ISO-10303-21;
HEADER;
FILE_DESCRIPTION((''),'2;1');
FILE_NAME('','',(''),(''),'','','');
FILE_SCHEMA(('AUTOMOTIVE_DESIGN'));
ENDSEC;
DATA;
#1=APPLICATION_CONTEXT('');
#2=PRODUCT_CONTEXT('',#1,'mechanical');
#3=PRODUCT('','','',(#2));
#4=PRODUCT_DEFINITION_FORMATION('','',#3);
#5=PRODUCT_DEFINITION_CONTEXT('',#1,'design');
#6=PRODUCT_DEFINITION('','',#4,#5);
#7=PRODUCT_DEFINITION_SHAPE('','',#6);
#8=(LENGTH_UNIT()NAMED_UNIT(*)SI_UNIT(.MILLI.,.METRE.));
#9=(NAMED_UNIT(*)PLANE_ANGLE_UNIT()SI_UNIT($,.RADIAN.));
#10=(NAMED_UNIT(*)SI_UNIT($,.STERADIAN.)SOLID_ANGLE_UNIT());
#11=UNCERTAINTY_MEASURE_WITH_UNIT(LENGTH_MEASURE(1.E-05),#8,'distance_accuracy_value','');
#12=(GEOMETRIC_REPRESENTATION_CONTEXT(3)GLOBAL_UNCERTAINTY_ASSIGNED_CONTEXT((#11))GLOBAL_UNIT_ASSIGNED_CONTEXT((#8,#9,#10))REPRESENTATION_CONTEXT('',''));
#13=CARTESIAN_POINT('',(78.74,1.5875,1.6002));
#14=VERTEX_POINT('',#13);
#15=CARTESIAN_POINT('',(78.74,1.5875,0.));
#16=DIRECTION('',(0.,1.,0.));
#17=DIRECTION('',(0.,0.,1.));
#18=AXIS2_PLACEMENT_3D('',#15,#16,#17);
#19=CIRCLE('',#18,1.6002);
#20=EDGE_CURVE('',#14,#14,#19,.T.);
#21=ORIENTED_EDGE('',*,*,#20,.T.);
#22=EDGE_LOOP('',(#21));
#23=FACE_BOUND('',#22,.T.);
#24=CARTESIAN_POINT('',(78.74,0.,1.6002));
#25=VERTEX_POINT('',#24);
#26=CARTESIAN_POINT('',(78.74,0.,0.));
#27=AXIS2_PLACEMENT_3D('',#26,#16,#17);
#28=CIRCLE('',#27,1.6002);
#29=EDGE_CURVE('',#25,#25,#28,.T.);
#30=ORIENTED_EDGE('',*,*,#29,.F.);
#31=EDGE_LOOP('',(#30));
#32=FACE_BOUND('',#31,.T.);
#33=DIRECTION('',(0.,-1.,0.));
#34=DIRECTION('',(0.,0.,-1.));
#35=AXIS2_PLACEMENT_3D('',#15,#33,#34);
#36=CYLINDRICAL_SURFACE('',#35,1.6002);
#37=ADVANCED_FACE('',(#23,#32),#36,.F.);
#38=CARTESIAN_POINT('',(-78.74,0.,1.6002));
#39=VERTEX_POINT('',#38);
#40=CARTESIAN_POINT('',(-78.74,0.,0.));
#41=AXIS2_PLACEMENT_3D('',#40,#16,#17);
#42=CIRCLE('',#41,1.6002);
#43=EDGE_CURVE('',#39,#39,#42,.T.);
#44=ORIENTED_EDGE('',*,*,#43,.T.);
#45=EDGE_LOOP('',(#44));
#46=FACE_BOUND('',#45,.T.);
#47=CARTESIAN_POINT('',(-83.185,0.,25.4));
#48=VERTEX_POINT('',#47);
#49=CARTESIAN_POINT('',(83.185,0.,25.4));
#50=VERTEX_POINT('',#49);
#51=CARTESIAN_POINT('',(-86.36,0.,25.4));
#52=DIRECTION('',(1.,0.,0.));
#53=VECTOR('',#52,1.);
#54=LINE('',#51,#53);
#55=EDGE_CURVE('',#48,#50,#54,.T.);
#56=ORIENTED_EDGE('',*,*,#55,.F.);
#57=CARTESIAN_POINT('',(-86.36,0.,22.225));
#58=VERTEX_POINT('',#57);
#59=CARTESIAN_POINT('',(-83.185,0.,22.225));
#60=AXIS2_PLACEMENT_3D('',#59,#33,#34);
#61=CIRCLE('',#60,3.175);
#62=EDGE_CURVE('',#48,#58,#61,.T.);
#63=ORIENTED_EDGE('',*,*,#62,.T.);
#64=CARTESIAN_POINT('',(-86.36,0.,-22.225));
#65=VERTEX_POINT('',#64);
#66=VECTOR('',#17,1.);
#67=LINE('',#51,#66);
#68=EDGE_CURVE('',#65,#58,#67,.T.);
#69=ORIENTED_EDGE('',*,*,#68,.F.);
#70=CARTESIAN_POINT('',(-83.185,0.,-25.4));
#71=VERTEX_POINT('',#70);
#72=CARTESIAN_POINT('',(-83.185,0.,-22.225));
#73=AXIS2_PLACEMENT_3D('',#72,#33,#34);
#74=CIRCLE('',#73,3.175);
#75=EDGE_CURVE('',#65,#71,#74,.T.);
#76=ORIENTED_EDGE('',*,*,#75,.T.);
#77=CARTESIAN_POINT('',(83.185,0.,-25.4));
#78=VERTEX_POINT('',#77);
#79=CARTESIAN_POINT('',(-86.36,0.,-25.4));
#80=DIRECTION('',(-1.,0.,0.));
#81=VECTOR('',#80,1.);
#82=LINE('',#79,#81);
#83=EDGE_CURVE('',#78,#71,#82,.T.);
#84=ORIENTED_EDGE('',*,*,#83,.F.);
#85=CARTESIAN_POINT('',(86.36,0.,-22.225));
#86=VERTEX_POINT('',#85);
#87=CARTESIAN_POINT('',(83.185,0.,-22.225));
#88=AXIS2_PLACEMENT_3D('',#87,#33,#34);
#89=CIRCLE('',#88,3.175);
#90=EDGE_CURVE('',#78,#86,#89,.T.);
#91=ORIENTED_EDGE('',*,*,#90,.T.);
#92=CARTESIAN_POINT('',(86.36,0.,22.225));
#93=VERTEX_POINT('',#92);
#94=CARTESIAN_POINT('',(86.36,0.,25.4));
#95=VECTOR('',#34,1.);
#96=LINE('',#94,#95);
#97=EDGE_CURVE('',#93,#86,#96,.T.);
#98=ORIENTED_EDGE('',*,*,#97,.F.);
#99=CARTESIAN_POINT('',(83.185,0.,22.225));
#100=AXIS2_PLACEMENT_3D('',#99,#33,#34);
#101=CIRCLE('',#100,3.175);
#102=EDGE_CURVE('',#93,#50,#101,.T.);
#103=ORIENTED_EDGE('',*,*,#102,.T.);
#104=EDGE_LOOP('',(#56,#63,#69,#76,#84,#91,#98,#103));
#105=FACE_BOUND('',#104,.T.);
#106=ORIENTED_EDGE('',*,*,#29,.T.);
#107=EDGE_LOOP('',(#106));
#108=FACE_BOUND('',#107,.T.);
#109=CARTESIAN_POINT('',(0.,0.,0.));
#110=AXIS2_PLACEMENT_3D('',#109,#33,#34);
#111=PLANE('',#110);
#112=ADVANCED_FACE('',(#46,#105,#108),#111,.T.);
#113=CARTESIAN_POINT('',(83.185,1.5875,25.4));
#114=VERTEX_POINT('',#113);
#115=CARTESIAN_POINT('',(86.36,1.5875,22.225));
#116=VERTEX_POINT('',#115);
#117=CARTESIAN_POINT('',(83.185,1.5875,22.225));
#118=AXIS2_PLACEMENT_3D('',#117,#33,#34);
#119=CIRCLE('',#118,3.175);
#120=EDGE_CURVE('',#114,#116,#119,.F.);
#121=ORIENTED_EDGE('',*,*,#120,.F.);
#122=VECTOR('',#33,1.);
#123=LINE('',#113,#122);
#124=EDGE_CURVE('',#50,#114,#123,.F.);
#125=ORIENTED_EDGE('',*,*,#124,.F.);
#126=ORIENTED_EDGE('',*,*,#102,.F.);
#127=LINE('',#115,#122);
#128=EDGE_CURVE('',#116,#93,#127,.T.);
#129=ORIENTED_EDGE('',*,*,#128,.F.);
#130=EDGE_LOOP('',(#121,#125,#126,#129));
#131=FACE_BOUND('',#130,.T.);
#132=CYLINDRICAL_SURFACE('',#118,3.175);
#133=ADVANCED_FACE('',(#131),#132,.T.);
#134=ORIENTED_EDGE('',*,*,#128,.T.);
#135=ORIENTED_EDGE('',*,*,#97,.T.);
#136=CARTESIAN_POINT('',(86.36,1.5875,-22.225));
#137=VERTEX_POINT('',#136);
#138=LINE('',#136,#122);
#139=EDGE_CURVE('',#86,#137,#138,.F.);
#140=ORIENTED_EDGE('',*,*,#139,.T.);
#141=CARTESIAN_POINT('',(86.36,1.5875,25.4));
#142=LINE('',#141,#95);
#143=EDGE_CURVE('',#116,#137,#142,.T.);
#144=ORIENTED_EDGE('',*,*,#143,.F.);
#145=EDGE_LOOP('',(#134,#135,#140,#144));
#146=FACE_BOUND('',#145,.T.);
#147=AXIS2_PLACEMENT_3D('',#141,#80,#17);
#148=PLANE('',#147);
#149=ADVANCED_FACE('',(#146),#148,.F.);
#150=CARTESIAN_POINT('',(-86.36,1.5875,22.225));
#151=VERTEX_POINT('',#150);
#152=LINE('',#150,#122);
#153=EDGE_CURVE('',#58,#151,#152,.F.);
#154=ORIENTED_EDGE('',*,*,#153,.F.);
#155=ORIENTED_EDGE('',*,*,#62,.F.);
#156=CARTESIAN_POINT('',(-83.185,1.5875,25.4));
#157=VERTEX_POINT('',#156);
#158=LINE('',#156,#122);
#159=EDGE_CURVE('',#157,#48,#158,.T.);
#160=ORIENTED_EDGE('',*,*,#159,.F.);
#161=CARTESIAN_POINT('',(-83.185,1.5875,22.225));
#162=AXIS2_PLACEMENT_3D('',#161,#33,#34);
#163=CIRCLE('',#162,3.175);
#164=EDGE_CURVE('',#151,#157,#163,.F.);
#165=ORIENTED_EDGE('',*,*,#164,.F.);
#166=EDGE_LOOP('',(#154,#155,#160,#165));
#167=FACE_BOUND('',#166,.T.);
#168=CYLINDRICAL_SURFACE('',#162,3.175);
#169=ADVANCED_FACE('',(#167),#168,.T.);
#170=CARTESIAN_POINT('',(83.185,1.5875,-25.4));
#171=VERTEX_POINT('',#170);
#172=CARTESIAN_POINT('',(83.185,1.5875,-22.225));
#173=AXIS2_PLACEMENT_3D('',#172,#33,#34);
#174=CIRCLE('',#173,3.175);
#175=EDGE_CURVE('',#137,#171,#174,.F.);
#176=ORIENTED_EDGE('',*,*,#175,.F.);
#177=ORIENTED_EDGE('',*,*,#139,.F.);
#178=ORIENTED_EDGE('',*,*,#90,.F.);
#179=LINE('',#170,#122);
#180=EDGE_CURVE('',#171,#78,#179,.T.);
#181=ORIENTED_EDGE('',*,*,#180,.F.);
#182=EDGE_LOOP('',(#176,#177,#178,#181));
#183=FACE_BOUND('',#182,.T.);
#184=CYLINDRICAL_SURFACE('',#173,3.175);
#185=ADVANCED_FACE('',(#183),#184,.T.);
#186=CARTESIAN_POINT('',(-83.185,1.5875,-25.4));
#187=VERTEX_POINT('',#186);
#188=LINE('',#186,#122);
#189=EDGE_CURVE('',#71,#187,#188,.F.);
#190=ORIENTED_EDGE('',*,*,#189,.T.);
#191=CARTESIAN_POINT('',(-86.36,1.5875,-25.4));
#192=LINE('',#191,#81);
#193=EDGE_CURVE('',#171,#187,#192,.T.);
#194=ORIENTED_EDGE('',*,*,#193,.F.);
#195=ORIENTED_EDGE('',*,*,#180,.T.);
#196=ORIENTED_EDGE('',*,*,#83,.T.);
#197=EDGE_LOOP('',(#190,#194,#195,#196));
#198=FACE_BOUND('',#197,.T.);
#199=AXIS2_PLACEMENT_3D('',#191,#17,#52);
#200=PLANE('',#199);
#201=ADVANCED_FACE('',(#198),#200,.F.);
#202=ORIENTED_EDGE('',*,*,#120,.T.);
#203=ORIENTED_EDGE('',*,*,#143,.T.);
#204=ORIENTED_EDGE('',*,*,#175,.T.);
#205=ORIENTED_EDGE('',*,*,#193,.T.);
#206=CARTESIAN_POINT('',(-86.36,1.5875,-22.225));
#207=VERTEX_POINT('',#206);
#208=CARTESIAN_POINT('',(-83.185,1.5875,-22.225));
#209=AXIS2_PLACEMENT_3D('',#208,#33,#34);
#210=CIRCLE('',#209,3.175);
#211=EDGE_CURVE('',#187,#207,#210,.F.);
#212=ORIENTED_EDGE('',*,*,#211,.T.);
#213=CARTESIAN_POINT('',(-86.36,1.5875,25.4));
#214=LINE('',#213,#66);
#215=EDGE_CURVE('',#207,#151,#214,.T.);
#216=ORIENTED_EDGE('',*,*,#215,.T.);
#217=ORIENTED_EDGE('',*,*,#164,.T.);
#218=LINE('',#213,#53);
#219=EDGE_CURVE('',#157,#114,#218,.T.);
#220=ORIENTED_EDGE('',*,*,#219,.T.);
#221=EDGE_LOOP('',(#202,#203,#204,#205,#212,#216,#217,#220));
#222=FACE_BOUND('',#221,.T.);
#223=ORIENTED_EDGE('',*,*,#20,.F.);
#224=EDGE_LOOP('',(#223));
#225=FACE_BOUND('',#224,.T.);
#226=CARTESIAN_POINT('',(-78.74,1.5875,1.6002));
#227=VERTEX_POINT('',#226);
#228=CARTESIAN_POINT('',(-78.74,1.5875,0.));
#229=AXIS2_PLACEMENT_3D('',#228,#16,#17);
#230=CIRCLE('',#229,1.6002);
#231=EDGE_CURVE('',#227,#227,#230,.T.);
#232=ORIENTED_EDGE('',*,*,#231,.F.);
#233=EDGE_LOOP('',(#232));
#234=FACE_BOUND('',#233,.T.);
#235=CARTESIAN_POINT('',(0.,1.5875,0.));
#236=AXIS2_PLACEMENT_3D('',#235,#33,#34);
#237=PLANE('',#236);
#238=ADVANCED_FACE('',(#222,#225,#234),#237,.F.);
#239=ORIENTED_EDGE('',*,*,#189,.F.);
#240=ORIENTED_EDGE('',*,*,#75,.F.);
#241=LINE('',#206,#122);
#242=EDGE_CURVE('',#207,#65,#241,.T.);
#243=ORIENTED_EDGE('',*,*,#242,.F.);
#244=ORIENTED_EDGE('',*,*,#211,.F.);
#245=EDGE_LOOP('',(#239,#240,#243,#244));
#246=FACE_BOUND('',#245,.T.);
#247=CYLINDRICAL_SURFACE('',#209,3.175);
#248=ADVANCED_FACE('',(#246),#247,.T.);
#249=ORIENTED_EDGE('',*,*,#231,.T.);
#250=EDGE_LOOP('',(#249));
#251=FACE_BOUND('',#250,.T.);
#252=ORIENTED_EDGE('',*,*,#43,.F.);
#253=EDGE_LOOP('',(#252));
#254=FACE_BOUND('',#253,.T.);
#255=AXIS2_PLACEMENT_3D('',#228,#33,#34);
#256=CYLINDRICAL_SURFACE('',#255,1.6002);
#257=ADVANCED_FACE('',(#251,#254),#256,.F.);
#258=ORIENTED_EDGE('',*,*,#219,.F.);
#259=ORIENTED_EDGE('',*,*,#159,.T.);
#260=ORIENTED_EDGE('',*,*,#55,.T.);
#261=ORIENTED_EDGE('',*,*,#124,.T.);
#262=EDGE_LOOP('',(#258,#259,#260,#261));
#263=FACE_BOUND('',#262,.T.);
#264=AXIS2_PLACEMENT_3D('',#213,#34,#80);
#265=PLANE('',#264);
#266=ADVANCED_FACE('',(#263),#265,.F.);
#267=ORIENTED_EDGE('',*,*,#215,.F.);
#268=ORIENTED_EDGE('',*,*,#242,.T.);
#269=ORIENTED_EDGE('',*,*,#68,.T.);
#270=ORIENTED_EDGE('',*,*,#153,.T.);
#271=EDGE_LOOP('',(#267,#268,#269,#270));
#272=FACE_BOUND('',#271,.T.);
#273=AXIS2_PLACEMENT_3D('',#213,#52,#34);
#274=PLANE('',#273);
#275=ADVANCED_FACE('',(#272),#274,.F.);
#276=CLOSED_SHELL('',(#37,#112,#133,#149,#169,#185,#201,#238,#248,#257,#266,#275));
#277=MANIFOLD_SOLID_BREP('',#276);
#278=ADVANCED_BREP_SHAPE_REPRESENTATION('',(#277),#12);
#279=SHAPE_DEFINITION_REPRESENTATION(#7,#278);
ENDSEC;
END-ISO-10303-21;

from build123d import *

# Parameters (mm, degrees)
SKETCH1_W           = 172.72
SKETCH1_H           = 50.8
SKETCH1_R           = 1.6002
BOSS_EXTRUDE1_DEPTH = 1.5875
FILLET1_R           = 3.175


with BuildPart() as part:
    # Sketch1 → Boss-Extrude1 (new body)
    with BuildSketch(Plane(origin=(0, 0, 0), x_dir=(1, 0, 0), z_dir=(0, 1, 0))):
        Rectangle(SKETCH1_W, SKETCH1_H)
        with Locations(Location((-78.74, 0, 0), (0, 0, 270))):
            Circle(SKETCH1_R, mode=Mode.SUBTRACT)
        with Locations(Location((78.74, 0, 0), (0, 0, 270))):
            Circle(SKETCH1_R, mode=Mode.SUBTRACT)
    extrude(amount=BOSS_EXTRUDE1_DEPTH)

    # Fillet1
    fillet1_edges = [part.edges().sort_by_distance(p)[0] for p in [
        (86.36, 0.79375, 25.4),
        (-86.36, 0.79375, 25.4),
        (-86.36, 0.79375, -25.4),
        (86.36, 0.79375, -25.4),
    ]]
    fillet(fillet1_edges, radius=FILLET1_R)


solid = part.part
